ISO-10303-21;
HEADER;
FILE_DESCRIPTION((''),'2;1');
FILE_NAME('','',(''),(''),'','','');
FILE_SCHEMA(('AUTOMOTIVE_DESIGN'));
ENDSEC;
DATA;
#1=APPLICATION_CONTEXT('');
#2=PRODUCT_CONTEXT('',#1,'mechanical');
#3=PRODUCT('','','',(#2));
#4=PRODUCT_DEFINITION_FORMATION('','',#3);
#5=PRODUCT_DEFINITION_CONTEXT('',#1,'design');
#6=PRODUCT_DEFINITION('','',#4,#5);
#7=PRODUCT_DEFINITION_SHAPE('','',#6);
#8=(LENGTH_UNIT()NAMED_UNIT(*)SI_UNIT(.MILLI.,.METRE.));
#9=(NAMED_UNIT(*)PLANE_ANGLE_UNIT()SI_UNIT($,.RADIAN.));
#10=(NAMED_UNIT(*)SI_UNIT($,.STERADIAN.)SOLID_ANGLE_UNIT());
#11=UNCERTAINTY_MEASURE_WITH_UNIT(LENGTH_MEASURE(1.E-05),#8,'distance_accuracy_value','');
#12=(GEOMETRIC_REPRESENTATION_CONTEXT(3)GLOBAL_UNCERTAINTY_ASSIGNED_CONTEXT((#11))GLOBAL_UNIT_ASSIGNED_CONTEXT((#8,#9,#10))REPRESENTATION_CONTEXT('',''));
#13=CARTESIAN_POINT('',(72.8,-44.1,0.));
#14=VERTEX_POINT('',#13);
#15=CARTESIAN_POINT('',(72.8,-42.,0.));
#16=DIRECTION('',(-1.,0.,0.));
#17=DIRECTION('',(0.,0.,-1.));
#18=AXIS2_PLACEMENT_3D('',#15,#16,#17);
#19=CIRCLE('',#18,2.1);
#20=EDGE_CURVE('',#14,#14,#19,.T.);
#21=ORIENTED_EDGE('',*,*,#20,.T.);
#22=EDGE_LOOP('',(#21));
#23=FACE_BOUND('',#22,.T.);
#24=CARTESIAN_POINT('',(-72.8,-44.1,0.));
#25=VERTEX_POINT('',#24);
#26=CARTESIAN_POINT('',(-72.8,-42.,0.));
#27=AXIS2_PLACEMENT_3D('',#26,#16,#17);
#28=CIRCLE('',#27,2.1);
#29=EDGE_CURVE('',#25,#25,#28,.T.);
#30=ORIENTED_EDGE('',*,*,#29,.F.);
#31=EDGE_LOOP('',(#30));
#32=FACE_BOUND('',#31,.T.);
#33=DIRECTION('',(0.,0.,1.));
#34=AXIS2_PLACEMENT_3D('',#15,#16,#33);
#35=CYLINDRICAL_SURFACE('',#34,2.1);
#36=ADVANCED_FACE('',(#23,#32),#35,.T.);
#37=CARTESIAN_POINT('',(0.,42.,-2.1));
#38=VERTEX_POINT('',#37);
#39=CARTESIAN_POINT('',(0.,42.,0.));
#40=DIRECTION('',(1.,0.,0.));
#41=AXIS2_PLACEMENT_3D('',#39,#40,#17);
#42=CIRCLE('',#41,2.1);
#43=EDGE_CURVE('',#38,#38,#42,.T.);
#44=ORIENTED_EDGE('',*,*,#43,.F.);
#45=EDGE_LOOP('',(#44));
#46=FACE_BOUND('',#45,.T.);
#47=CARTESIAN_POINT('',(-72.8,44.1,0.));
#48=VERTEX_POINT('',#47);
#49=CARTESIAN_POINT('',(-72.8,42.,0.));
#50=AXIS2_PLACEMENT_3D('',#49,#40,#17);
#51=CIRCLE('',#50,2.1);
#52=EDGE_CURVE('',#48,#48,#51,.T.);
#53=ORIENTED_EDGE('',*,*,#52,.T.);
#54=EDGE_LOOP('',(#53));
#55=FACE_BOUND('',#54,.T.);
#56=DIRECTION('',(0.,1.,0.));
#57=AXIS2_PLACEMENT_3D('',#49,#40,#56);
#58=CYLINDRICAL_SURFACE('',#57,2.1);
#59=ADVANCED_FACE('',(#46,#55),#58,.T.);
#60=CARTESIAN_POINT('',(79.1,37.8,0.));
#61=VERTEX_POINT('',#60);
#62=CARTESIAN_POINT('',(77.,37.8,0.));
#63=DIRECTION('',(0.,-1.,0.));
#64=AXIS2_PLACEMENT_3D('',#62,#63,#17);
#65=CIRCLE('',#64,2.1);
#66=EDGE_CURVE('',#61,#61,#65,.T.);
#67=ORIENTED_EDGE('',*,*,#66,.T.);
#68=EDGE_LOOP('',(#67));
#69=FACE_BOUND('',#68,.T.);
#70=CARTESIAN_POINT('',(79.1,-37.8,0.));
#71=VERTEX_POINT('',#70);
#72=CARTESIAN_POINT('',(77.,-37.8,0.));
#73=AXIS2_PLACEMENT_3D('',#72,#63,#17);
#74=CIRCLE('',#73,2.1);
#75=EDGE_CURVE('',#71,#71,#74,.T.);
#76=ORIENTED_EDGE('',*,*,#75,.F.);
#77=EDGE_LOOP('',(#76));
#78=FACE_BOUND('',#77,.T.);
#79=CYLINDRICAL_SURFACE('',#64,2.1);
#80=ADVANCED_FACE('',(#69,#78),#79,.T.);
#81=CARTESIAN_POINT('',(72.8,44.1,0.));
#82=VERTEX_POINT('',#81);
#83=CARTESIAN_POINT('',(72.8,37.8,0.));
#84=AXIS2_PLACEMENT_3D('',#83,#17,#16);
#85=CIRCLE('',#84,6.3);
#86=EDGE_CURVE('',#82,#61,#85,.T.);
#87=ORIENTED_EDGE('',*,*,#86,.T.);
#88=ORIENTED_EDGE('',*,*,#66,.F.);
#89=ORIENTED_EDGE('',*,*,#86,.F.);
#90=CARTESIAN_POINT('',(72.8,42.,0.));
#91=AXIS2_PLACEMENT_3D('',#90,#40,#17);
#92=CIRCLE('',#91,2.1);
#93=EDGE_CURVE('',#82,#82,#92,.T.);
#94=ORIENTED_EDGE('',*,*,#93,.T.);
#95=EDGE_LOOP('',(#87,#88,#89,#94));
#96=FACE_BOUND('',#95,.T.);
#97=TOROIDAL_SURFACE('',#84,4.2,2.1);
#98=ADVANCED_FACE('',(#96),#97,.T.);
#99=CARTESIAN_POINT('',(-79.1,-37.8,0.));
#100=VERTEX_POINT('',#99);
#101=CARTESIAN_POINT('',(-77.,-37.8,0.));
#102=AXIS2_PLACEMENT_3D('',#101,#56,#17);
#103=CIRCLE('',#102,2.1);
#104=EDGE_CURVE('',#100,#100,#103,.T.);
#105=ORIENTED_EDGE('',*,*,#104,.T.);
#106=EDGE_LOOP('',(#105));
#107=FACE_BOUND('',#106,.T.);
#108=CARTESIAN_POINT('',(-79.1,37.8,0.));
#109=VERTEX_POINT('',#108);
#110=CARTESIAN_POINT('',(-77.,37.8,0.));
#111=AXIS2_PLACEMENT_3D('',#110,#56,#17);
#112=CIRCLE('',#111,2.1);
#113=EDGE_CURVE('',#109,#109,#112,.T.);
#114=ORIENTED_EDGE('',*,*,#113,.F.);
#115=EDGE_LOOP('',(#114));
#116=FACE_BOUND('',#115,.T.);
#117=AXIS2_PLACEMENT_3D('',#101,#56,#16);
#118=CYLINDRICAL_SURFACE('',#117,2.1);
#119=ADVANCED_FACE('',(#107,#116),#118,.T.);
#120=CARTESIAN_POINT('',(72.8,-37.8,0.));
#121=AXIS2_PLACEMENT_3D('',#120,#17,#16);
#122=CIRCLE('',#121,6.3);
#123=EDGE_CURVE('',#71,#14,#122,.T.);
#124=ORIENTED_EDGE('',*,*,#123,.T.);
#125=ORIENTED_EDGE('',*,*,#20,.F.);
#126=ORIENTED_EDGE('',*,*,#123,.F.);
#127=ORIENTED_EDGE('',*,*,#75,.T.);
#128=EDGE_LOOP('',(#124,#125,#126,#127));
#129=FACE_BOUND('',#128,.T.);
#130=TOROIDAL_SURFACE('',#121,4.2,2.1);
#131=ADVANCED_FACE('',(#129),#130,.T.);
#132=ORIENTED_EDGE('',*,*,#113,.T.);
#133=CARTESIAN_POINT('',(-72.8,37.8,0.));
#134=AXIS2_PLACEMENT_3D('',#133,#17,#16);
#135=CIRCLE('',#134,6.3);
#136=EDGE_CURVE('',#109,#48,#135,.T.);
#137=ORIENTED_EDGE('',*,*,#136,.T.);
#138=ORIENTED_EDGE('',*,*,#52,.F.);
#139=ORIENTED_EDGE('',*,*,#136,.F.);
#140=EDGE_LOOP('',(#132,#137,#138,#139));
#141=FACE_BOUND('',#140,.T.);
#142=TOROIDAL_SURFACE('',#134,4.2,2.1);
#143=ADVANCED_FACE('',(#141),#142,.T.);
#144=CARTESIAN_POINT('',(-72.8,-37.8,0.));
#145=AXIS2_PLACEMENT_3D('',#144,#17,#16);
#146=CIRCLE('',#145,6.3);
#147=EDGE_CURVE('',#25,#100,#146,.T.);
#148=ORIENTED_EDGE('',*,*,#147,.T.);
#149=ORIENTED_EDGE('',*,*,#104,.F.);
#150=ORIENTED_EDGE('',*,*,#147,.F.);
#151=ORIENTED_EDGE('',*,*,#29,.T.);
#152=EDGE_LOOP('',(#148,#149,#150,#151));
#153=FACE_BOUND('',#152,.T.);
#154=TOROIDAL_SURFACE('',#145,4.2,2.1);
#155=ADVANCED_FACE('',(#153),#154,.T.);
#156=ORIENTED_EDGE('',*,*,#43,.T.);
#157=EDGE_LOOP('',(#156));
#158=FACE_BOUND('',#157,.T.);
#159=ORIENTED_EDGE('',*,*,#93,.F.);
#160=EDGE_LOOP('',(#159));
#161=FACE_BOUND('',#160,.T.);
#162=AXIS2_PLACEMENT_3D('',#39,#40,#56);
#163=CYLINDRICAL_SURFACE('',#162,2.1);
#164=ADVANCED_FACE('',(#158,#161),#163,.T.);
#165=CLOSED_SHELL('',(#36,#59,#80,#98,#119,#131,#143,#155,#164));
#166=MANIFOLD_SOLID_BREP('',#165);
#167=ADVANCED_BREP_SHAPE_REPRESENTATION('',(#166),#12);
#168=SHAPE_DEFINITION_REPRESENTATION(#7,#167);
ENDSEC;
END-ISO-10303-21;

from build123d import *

# Parameters (mm, degrees)
ESBO_O2_R = 2.1


with BuildPart() as part:
    # Varredura1: sweep along a path in Esboço1
    with BuildLine(Plane.XY) as varredura1_path:
        Line((72.8, -42), (-72.8, -42))
        ThreePointArc((-72.8, -42), (-75.769848481, -40.769848481), (-77, -37.8))
        Line((-77, -37.8), (-77, 37.8))
        ThreePointArc((-77, 37.8), (-75.769848481, 40.769848481), (-72.8, 42))
        Line((-72.8, 42), (72.8, 42))
        ThreePointArc((72.8, 42), (75.769848481, 40.769848481), (77, 37.8))
        Line((77, 37.8), (77, -37.8))
        ThreePointArc((77, -37.8), (75.769848481, -40.769848481), (72.8, -42))
    # Esboço2 → Varredura1 (sweep)
    with BuildSketch(Plane(origin=(0, 0, 0), x_dir=(0, 0, -1), z_dir=(1, 0, 0))):
        with Locations((0, 42)):
            Circle(ESBO_O2_R)
    sweep(path=varredura1_path.line)


solid = part.part
